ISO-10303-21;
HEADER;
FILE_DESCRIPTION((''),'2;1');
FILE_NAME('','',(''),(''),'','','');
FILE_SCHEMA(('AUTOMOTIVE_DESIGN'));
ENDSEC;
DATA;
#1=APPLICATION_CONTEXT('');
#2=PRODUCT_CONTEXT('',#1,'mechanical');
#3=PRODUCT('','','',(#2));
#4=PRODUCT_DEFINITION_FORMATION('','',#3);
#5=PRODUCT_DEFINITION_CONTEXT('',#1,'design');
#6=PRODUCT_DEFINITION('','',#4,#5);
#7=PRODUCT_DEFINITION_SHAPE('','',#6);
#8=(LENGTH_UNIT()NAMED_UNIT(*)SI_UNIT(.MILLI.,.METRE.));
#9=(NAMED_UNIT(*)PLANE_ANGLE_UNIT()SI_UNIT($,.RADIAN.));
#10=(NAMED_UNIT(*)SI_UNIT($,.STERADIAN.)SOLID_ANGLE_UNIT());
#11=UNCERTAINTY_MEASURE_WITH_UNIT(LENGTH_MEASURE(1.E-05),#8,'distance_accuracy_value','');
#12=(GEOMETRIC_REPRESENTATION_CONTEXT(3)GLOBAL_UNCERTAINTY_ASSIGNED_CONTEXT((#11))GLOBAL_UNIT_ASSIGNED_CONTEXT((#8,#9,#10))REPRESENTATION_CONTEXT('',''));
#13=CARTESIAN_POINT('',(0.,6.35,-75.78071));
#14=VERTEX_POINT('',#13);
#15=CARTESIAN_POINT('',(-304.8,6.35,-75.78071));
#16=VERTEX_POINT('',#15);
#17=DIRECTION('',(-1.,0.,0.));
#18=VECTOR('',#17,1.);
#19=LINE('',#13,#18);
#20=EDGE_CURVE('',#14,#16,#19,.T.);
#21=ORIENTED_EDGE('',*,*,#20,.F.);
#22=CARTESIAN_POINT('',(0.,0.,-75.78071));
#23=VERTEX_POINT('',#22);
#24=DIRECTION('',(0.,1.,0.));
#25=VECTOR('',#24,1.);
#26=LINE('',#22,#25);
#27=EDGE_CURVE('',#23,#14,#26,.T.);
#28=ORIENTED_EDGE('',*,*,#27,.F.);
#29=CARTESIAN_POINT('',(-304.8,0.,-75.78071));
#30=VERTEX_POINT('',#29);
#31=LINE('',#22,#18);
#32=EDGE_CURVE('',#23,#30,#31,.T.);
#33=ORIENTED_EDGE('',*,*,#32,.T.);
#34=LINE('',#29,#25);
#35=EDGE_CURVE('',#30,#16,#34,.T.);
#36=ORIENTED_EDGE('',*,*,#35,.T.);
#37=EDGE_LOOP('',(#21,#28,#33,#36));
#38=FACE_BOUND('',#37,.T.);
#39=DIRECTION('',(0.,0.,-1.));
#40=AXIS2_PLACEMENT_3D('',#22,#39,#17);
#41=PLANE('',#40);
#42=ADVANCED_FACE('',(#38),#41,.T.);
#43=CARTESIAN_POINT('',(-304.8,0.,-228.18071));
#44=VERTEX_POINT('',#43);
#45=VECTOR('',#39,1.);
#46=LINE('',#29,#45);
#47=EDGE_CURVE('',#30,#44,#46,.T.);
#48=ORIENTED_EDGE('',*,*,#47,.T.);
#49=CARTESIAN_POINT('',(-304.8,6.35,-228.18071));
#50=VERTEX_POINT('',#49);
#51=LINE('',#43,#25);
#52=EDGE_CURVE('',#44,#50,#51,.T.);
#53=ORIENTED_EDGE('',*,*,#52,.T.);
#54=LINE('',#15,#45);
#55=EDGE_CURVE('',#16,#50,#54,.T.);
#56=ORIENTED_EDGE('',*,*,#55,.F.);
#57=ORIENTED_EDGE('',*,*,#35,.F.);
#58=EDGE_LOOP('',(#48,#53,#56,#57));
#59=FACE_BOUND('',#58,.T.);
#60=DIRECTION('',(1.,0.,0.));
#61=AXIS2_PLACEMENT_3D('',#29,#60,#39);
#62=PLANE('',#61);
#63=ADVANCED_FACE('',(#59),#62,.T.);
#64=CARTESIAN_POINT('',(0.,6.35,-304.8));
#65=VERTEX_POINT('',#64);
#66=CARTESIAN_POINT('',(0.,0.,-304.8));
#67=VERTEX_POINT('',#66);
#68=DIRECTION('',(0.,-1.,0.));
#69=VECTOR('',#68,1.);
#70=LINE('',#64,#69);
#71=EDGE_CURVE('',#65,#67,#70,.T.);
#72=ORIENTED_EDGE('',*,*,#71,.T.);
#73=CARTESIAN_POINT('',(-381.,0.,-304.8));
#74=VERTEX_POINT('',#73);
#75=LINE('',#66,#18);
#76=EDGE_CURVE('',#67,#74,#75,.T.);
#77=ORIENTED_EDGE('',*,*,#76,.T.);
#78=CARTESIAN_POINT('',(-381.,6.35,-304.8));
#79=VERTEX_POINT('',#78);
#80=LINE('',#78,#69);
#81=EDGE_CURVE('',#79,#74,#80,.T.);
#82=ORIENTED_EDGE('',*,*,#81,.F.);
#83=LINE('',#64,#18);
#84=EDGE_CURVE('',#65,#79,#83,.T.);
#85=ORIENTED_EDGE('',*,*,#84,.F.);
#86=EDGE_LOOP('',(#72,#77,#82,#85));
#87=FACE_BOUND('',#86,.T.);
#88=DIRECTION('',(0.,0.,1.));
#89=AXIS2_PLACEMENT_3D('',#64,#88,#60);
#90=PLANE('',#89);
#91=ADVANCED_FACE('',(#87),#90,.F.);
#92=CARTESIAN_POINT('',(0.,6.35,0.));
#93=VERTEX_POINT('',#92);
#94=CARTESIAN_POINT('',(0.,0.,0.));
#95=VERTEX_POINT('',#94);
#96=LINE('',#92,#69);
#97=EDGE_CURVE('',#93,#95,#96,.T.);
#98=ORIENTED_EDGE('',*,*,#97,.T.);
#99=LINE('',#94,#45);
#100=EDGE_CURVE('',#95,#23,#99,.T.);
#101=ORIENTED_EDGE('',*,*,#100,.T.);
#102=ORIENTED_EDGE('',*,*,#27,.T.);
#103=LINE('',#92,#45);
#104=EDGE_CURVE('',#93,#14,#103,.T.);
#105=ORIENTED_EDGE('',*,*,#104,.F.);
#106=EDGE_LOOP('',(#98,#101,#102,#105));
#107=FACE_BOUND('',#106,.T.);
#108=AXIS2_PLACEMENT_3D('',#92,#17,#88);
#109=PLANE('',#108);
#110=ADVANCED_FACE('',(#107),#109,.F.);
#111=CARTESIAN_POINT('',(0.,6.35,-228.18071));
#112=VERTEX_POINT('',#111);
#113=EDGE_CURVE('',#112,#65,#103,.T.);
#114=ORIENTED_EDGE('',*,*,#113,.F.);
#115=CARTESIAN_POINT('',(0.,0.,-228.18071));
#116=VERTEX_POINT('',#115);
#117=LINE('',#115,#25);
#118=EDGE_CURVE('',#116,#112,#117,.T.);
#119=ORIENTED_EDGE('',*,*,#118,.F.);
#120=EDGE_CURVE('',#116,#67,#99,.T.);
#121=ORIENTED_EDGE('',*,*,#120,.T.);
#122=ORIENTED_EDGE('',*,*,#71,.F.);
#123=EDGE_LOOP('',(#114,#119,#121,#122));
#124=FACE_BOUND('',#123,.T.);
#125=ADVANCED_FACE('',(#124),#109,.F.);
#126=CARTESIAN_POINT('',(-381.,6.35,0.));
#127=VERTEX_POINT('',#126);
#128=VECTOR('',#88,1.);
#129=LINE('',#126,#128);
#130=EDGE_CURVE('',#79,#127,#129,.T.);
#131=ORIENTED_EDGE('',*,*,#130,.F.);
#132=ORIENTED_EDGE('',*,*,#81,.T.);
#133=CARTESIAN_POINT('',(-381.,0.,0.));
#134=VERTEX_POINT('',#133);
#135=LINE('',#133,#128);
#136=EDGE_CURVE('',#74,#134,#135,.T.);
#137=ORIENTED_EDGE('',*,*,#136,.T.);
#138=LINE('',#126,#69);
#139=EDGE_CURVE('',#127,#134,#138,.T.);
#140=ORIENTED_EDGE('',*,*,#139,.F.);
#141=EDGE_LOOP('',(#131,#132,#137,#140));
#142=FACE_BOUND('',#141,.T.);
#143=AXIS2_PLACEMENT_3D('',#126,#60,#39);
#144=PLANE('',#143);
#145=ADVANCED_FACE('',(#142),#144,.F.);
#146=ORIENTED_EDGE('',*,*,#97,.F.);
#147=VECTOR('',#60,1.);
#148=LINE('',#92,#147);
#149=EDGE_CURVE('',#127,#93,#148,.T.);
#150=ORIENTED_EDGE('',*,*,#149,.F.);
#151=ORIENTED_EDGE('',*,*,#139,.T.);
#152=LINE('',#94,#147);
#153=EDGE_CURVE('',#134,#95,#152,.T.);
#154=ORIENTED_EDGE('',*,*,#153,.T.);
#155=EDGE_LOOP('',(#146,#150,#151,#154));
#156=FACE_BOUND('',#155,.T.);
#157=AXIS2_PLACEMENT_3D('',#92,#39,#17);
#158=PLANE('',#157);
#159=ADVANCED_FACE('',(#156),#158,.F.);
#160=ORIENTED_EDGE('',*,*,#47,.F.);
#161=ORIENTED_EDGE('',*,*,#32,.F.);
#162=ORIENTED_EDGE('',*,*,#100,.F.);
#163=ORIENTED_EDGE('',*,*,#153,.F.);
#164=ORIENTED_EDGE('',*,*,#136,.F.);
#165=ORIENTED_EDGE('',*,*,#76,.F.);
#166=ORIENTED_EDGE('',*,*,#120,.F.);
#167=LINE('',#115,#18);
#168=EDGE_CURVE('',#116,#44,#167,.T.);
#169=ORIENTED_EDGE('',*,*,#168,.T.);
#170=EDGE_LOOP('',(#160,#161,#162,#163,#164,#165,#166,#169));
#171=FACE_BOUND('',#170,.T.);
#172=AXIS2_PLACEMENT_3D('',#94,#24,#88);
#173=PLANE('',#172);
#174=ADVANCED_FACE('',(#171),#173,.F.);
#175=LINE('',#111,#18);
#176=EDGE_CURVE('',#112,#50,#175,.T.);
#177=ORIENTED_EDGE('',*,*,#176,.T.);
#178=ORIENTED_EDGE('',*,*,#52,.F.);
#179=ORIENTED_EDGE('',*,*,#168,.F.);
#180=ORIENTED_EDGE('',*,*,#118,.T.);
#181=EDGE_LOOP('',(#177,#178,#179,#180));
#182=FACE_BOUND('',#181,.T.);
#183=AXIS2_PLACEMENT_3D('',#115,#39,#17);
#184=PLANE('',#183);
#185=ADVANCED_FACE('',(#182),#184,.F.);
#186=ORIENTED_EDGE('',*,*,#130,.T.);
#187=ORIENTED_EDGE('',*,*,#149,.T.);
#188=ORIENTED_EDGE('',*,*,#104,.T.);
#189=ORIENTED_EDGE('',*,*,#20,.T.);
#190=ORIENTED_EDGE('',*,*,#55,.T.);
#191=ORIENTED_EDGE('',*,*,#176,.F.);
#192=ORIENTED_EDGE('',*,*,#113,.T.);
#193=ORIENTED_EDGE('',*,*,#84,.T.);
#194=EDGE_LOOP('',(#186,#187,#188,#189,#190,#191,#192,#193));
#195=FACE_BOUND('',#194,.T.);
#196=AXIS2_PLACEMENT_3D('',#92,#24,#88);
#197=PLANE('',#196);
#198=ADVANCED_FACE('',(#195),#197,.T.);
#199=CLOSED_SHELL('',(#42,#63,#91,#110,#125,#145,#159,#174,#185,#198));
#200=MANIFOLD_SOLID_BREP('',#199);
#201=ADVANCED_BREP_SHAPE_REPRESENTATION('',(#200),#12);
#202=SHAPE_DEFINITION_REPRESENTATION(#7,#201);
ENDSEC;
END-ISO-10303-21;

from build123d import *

# Parameters (mm, degrees)
SKETCH1_W           = 381
SKETCH1_H           = 304.8
BOSS_EXTRUDE1_DEPTH = 6.35
SKETCH3_W           = 304.8
SKETCH3_H           = 152.4
CUT_EXTRUDE2_DEPTH  = 6.35


with BuildPart() as part:
    # Sketch1 → Boss-Extrude1 (new body)
    with BuildSketch(Plane(origin=(0, 0, 0), x_dir=(1, 0, 0), z_dir=(0, 1, 0))):
        with Locations((-190.5, 152.4)):
            Rectangle(SKETCH1_W, SKETCH1_H)
    extrude(amount=BOSS_EXTRUDE1_DEPTH)

    # Sketch3 → Cut-Extrude2 (cut)
    with BuildSketch(Plane(origin=(0, 6.35, 0), x_dir=(1, 0, 0), z_dir=(0, 1, 0))):
        with Locations((-152.4, 151.980710276)):
            Rectangle(SKETCH3_W, SKETCH3_H)
    extrude(amount=-CUT_EXTRUDE2_DEPTH, mode=Mode.SUBTRACT)


solid = part.part
